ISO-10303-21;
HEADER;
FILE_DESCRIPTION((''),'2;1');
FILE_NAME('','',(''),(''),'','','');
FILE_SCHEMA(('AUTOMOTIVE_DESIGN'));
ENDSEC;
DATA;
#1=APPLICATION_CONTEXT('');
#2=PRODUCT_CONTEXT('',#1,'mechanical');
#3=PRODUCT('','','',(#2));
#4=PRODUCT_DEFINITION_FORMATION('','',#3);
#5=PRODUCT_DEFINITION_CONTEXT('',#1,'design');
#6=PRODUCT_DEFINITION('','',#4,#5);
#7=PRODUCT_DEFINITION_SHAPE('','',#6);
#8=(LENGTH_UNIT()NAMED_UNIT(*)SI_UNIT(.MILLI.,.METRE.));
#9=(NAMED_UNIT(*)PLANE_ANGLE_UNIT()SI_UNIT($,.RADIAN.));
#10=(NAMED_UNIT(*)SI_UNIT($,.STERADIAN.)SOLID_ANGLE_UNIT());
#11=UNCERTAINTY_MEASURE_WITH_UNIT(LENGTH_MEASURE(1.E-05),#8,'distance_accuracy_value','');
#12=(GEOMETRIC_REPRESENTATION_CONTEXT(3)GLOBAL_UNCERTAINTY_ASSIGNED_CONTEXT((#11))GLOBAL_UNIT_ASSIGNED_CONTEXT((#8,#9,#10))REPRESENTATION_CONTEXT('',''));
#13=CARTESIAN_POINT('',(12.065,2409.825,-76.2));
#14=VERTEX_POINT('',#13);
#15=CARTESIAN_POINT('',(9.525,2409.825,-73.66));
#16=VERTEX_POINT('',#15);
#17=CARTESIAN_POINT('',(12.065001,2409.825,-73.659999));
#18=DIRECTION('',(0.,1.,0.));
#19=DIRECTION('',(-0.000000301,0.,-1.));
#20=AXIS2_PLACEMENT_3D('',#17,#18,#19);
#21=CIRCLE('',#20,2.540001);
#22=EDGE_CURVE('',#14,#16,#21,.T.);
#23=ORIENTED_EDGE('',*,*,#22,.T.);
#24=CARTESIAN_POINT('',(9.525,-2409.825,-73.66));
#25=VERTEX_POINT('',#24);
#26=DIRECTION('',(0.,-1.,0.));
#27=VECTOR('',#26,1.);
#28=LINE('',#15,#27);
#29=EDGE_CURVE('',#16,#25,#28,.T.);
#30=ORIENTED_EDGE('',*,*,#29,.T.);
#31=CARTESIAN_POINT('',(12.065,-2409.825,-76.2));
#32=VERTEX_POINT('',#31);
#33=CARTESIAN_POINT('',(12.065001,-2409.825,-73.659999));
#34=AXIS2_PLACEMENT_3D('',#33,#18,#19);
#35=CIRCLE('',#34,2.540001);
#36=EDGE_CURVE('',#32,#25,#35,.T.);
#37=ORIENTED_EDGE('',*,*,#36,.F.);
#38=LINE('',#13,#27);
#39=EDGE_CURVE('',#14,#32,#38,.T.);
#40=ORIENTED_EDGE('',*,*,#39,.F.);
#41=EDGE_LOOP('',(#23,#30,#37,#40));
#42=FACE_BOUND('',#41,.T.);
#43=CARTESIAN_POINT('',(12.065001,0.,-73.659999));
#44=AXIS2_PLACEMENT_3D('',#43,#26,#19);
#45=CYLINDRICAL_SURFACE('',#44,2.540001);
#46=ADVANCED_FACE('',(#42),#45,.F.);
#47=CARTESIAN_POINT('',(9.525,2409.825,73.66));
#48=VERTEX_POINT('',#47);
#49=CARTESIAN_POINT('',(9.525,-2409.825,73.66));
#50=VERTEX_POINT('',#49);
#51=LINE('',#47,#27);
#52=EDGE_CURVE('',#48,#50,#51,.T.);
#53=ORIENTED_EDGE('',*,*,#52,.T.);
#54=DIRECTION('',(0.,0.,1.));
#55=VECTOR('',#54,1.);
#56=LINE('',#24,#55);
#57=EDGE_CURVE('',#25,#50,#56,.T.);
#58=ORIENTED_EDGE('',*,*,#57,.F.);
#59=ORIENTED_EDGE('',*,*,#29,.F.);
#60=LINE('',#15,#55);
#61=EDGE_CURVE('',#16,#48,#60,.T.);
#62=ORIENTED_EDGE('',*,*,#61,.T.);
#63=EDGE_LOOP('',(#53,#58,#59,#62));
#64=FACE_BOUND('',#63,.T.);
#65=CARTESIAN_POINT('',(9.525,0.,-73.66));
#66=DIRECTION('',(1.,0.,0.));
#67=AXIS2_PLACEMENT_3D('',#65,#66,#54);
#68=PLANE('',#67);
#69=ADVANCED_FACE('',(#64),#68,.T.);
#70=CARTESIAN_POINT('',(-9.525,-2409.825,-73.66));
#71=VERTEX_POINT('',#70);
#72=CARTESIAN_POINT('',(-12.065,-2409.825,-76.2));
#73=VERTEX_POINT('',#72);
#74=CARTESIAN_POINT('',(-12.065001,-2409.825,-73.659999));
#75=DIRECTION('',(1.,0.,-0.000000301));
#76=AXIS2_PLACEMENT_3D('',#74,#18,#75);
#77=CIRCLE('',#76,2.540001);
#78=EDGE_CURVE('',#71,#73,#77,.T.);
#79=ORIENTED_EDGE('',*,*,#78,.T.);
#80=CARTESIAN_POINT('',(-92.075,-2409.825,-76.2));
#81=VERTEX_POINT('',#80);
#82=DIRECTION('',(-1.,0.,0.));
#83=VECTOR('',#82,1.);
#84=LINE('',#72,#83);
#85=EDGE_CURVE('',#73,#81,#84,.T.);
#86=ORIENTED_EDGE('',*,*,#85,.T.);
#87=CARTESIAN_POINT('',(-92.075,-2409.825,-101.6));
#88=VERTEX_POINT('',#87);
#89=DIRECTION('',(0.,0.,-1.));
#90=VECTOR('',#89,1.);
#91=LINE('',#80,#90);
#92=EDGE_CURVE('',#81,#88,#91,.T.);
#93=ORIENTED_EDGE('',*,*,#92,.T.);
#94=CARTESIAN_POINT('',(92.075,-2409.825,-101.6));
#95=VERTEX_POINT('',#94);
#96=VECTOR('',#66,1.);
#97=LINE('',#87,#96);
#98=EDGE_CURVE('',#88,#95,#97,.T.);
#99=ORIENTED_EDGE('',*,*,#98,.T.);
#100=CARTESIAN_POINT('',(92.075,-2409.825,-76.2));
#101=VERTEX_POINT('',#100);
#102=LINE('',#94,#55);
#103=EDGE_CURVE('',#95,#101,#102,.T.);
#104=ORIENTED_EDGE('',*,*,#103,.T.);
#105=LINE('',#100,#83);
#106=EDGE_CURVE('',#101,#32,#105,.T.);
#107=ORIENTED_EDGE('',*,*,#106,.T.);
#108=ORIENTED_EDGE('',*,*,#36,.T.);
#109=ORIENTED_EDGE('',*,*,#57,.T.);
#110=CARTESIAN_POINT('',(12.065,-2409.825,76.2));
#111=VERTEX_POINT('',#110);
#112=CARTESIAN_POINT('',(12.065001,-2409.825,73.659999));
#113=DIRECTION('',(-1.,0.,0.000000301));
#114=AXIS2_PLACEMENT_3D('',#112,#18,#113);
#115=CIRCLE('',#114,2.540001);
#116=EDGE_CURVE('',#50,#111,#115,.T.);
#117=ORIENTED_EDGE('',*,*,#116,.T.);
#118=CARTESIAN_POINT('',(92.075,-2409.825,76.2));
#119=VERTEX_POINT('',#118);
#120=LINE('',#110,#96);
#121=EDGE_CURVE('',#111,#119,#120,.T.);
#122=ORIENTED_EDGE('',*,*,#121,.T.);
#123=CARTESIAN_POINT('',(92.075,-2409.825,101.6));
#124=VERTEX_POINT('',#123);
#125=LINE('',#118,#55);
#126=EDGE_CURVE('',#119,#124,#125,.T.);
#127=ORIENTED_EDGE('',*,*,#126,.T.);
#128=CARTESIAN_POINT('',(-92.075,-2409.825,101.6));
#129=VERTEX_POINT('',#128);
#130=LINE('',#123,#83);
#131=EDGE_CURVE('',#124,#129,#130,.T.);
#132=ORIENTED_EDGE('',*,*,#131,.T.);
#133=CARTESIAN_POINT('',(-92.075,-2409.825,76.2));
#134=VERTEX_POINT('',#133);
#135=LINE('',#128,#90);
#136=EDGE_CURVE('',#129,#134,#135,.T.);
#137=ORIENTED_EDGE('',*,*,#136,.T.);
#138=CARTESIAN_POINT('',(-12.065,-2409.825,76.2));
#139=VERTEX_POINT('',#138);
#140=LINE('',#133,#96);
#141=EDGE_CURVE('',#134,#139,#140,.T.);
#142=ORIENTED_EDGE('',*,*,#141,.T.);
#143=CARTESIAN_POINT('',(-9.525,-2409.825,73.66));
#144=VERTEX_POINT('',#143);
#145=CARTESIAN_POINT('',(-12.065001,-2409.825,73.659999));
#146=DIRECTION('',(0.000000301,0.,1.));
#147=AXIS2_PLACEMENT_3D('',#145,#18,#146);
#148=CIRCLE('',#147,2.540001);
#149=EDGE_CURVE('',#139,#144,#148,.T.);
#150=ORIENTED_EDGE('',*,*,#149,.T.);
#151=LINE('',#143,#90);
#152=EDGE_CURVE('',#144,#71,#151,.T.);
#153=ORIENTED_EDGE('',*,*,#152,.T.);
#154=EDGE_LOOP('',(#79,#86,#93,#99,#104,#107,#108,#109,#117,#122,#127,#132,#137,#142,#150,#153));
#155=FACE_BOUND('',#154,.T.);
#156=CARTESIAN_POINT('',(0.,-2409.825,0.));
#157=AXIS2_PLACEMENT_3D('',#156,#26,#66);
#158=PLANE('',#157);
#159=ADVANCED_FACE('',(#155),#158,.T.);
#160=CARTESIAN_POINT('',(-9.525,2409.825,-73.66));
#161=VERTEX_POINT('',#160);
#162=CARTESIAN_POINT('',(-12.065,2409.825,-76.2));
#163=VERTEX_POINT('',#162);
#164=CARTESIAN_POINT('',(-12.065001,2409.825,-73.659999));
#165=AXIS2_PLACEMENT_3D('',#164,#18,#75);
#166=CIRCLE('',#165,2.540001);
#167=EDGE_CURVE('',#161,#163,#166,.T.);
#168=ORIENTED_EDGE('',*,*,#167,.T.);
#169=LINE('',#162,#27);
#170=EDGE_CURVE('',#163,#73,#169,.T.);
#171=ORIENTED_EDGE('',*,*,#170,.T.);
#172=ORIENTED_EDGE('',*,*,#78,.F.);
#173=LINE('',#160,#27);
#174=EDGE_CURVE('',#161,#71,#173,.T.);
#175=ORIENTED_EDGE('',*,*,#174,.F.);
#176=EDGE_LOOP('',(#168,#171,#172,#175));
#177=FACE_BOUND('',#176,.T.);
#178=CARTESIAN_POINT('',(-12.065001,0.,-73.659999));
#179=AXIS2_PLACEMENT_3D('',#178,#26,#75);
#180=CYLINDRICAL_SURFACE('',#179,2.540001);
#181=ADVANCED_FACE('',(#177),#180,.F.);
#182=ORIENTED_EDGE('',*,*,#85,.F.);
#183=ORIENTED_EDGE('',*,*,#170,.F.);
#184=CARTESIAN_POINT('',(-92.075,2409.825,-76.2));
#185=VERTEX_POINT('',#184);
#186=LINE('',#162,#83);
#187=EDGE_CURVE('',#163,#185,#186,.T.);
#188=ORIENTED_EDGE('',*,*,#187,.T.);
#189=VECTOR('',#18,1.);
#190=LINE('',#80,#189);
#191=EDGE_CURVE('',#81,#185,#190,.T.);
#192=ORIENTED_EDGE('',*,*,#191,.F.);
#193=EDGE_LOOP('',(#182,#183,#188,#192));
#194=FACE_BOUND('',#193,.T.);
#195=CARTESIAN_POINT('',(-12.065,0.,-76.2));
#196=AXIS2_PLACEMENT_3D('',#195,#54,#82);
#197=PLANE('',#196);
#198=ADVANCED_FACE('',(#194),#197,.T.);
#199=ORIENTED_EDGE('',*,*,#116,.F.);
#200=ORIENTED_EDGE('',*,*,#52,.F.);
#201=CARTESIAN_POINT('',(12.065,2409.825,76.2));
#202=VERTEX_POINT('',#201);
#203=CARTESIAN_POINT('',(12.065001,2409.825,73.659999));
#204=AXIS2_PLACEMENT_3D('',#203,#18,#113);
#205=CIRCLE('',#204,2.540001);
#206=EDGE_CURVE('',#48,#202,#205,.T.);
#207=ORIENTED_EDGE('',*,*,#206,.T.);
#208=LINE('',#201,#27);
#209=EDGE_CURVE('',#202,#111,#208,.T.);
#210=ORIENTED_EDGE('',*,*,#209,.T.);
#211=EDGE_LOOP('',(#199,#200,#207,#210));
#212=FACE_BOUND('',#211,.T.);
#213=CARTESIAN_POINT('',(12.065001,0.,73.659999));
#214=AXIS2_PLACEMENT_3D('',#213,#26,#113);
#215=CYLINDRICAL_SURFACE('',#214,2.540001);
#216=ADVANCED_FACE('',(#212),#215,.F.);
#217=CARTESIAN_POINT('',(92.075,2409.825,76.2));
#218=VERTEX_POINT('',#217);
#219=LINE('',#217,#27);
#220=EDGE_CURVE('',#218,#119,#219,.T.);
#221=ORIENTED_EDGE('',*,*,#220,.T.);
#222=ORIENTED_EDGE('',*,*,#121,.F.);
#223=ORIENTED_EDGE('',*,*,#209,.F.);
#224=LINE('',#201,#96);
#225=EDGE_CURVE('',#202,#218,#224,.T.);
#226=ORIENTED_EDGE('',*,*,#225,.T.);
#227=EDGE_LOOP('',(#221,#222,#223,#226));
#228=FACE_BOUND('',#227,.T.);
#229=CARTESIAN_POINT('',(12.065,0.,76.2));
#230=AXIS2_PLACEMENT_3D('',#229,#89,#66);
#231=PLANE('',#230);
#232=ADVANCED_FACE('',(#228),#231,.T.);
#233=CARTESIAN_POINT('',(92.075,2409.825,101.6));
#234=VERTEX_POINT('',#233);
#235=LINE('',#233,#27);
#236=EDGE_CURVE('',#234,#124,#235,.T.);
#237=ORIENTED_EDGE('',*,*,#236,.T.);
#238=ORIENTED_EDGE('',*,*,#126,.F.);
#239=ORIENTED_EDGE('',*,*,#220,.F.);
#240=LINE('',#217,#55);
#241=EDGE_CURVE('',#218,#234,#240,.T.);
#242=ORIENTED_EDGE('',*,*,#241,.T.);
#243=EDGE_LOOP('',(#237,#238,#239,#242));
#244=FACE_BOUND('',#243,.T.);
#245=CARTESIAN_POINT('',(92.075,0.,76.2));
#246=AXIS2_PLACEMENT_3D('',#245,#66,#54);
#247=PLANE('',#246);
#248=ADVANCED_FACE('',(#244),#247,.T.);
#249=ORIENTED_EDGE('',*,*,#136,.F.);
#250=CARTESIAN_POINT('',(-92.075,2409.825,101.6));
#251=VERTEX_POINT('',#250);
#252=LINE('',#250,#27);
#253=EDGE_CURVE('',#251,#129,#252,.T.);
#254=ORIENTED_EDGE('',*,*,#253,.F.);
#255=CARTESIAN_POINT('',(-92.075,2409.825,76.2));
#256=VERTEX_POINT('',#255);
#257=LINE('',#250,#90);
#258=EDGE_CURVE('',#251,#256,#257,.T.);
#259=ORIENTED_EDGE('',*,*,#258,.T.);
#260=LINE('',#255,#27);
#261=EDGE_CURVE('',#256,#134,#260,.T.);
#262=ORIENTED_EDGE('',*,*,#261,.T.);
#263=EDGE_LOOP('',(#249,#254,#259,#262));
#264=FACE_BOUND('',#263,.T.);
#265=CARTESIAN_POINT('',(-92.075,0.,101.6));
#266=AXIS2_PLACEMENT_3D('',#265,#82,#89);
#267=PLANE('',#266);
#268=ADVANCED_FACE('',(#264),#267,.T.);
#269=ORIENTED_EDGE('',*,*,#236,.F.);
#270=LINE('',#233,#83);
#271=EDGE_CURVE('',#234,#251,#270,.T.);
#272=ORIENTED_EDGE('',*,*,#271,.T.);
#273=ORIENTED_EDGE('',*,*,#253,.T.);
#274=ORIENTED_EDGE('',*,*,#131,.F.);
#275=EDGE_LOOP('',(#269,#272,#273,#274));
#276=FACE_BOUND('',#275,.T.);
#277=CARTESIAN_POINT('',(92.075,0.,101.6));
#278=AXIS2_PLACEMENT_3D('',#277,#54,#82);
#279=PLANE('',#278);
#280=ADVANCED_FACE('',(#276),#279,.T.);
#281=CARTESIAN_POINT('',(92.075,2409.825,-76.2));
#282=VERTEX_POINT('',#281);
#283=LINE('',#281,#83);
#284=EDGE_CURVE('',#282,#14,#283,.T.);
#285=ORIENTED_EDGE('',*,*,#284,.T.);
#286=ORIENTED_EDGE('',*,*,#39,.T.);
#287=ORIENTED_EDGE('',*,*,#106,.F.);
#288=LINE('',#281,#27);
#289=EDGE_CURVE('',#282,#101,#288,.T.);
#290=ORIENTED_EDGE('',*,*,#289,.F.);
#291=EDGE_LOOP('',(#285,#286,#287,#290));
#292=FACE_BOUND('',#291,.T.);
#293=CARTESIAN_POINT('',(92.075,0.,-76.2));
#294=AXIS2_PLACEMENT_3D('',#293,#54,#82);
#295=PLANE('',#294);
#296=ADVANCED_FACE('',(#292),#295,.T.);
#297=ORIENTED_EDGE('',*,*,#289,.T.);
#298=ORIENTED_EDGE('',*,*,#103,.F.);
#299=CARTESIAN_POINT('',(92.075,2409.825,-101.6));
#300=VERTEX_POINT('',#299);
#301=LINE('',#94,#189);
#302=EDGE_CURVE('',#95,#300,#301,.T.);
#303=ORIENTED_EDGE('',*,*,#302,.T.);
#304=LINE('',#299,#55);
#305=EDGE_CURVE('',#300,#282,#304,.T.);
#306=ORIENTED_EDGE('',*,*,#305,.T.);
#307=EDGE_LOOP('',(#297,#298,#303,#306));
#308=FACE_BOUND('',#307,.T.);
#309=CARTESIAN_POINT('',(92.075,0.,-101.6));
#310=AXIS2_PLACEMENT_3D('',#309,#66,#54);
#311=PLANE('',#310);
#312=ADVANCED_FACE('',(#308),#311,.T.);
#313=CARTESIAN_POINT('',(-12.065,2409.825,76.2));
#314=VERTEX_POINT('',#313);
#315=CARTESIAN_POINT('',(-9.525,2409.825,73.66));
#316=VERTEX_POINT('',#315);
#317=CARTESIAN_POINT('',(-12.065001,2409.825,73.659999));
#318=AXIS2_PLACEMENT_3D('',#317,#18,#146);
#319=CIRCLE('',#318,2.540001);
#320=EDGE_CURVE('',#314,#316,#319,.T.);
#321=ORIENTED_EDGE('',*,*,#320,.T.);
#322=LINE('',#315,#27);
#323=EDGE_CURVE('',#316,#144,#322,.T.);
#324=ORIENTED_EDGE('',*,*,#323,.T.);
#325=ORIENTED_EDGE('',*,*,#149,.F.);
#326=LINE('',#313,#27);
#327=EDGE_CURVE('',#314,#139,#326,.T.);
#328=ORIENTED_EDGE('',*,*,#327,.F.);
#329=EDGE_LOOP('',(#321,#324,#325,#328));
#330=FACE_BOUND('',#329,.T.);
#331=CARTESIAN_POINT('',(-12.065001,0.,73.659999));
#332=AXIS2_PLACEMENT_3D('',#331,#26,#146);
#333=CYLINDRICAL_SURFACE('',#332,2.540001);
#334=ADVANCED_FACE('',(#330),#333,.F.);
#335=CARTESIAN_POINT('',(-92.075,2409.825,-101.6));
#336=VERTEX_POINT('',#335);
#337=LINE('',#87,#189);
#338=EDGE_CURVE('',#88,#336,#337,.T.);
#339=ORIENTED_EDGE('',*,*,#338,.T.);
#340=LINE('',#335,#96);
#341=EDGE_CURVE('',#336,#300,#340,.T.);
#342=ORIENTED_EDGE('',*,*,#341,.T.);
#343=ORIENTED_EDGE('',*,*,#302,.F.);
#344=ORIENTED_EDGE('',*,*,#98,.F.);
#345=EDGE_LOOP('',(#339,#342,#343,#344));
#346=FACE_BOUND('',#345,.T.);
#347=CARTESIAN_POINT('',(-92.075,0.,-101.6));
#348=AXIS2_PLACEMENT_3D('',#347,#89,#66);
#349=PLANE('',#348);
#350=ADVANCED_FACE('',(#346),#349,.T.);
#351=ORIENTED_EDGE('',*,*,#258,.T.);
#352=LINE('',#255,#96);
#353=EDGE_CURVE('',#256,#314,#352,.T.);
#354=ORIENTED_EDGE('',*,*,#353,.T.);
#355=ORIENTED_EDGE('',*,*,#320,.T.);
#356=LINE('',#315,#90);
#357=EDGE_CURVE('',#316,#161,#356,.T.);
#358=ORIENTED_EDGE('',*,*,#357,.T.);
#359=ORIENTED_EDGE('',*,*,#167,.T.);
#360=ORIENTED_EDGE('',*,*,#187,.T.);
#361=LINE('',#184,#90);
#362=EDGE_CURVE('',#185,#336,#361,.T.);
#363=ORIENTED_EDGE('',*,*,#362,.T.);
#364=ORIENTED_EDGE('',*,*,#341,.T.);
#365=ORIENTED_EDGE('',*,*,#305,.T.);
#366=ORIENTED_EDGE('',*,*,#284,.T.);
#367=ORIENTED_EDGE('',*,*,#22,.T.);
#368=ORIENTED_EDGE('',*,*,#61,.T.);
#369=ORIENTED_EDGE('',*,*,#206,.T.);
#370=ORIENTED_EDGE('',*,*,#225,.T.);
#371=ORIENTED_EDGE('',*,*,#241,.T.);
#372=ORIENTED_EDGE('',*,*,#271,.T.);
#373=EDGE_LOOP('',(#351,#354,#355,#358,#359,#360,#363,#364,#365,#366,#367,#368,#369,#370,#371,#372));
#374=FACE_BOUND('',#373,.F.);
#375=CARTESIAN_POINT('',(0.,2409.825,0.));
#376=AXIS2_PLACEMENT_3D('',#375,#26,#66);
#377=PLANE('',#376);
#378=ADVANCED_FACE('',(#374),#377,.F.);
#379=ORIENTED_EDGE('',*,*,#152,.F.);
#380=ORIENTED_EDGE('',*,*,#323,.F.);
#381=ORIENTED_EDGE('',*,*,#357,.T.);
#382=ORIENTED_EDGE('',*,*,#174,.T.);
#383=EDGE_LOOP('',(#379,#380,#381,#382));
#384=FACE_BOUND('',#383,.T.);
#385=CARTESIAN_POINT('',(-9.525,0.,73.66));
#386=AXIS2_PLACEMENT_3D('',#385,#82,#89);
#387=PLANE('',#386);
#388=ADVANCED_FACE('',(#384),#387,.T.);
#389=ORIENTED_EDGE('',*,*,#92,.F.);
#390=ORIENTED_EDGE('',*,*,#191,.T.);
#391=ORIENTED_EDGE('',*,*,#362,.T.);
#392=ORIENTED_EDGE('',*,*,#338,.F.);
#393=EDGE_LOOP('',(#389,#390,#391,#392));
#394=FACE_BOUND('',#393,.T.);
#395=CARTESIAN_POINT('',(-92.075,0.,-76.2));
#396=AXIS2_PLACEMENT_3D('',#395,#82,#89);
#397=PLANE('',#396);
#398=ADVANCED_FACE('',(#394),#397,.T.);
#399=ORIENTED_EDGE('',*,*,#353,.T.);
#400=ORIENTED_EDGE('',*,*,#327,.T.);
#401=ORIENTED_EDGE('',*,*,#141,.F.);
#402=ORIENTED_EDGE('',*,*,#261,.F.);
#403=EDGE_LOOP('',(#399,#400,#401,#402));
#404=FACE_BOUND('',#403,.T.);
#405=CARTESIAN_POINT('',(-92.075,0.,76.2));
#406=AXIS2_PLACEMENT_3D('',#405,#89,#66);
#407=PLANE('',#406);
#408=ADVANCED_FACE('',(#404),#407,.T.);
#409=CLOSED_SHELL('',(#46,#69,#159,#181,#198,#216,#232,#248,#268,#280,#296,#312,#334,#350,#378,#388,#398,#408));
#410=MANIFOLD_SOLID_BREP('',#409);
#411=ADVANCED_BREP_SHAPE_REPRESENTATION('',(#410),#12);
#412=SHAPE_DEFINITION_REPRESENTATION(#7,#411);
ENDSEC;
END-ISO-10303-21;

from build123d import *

# Parameters (mm, degrees)
F1_DEPTH = 2409.825


with BuildPart() as f1:
    # F0 (on Front) → F1 (new body, symmetric)
    with BuildSketch(Plane.XZ):
        with BuildLine():
            Line((92.075, -101.6), (92.075, -76.2))
            Line((92.075, -76.2), (12.065, -76.2))
            ThreePointArc((12.065, -76.2), (10.268949, -75.456051), (9.525, -73.66))
            Line((9.525, -73.66), (9.525, 73.66))
            ThreePointArc((9.525, 73.66), (10.268949, 75.456051), (12.065, 76.2))
            Line((12.065, 76.2), (92.075, 76.2))
            Line((92.075, 76.2), (92.075, 101.6))
            Line((92.075, 101.6), (-92.075, 101.6))
            Line((-92.075, 101.6), (-92.075, 76.2))
            Line((-92.075, 76.2), (-12.065, 76.2))
            ThreePointArc((-12.065, 76.2), (-10.268949, 75.456051), (-9.525, 73.66))
            Line((-9.525, 73.66), (-9.525, -73.66))
            ThreePointArc((-9.525, -73.66), (-10.268949, -75.456051), (-12.065, -76.2))
            Line((-12.065, -76.2), (-92.075, -76.2))
            Line((-92.075, -76.2), (-92.075, -101.6))
            Line((-92.075, -101.6), (92.075, -101.6))
        make_face()
    extrude(amount=F1_DEPTH, both=True)


solid = f1.part
